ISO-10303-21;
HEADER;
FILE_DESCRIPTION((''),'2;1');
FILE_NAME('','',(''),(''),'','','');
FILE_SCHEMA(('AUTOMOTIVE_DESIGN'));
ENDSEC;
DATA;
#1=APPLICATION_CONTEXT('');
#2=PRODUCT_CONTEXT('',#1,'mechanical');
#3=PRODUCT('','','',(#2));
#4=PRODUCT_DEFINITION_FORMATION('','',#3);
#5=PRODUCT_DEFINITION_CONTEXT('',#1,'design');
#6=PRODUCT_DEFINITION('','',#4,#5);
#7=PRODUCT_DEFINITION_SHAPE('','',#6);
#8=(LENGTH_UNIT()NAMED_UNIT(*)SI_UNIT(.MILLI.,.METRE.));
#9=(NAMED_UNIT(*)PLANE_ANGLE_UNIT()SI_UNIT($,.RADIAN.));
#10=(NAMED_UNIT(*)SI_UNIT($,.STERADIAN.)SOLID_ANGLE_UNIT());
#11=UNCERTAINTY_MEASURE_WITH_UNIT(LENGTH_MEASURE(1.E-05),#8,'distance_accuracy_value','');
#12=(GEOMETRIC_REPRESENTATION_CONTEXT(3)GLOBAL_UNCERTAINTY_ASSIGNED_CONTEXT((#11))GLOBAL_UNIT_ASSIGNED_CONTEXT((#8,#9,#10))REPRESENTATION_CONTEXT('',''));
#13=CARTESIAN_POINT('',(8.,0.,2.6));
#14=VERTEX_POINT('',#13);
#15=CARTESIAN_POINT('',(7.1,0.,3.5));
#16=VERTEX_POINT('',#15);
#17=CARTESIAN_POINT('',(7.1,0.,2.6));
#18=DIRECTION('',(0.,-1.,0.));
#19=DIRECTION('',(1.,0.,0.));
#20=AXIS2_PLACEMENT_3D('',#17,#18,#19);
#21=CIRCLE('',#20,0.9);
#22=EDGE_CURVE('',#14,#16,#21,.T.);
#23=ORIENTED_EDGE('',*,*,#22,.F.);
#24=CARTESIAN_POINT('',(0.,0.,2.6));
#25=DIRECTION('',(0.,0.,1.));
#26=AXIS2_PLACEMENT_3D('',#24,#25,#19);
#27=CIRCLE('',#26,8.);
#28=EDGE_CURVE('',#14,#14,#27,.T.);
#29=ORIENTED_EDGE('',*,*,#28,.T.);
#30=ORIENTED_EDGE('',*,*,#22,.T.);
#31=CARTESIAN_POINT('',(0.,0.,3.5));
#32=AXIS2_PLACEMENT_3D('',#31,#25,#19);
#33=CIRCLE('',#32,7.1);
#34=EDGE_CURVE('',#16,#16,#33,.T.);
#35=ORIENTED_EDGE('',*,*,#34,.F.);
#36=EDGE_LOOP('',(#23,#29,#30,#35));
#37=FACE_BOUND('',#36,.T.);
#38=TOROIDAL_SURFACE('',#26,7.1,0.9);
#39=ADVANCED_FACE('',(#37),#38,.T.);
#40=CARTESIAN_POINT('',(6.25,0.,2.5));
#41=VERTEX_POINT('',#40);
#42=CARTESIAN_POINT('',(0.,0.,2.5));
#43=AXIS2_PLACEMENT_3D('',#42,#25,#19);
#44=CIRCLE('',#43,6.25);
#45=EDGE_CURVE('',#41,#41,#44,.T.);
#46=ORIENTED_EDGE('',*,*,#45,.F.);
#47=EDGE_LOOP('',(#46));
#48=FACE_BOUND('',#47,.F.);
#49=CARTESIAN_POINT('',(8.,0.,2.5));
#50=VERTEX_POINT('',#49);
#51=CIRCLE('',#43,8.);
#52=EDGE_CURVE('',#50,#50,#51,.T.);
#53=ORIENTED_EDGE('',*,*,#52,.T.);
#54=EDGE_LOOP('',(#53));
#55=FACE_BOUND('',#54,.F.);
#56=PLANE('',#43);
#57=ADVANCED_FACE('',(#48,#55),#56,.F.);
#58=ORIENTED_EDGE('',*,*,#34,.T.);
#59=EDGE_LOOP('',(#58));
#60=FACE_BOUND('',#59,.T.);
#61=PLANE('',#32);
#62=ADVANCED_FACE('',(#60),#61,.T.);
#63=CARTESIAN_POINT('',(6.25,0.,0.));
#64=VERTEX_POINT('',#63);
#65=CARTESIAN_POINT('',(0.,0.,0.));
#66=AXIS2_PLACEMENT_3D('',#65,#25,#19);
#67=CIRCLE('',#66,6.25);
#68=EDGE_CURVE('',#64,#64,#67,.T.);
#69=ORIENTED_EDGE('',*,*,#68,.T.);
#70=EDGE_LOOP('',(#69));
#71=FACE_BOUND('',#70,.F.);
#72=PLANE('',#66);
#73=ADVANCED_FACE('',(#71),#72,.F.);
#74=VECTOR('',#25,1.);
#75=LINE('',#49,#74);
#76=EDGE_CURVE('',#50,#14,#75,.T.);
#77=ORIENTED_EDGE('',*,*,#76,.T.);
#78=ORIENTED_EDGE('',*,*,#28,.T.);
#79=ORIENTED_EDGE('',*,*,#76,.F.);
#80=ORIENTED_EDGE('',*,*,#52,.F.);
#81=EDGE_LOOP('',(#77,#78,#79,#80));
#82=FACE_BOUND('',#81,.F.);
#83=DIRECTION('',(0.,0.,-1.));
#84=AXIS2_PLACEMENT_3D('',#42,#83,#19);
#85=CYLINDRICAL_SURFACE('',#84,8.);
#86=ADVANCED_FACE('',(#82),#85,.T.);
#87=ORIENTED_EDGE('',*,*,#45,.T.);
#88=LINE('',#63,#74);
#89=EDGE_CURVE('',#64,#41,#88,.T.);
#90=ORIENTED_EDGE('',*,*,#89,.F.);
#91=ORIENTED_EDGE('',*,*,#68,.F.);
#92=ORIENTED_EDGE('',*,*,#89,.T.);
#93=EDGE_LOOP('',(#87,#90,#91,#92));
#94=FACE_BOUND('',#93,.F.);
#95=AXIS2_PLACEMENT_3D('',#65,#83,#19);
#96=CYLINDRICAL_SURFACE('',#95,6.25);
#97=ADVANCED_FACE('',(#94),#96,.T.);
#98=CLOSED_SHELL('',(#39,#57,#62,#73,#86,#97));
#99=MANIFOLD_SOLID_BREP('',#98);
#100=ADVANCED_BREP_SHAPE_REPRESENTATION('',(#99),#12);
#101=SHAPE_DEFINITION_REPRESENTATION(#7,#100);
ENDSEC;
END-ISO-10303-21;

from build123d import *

# Parameters (mm, degrees)
CYLINDER_R        = 6.25
CYLINDER_DEPTH    = 2.5
CYLINDER001_R     = 8
CYLINDER001_DEPTH = 1
FILLET_R          = 0.9


with BuildPart() as cylinder:
    # Cylinder → Cylinder (new body)
    with BuildSketch(Plane.XY):
        Circle(CYLINDER_R)
    extrude(amount=CYLINDER_DEPTH)


with BuildPart() as fillet_body:
    # Cylinder001 → Cylinder001 (new body)
    with BuildSketch(Plane.XY.offset(2.5)):
        Circle(CYLINDER001_R)
    extrude(amount=CYLINDER001_DEPTH)

    # Fusion: union Cylinder
    add(cylinder.part)

    # Fillet
    fillet_edges = [fillet_body.edges().sort_by_distance(p)[0] for p in [
        (-8, 0, 3.5),
    ]]
    fillet(fillet_edges, radius=FILLET_R)


solid = fillet_body.part
